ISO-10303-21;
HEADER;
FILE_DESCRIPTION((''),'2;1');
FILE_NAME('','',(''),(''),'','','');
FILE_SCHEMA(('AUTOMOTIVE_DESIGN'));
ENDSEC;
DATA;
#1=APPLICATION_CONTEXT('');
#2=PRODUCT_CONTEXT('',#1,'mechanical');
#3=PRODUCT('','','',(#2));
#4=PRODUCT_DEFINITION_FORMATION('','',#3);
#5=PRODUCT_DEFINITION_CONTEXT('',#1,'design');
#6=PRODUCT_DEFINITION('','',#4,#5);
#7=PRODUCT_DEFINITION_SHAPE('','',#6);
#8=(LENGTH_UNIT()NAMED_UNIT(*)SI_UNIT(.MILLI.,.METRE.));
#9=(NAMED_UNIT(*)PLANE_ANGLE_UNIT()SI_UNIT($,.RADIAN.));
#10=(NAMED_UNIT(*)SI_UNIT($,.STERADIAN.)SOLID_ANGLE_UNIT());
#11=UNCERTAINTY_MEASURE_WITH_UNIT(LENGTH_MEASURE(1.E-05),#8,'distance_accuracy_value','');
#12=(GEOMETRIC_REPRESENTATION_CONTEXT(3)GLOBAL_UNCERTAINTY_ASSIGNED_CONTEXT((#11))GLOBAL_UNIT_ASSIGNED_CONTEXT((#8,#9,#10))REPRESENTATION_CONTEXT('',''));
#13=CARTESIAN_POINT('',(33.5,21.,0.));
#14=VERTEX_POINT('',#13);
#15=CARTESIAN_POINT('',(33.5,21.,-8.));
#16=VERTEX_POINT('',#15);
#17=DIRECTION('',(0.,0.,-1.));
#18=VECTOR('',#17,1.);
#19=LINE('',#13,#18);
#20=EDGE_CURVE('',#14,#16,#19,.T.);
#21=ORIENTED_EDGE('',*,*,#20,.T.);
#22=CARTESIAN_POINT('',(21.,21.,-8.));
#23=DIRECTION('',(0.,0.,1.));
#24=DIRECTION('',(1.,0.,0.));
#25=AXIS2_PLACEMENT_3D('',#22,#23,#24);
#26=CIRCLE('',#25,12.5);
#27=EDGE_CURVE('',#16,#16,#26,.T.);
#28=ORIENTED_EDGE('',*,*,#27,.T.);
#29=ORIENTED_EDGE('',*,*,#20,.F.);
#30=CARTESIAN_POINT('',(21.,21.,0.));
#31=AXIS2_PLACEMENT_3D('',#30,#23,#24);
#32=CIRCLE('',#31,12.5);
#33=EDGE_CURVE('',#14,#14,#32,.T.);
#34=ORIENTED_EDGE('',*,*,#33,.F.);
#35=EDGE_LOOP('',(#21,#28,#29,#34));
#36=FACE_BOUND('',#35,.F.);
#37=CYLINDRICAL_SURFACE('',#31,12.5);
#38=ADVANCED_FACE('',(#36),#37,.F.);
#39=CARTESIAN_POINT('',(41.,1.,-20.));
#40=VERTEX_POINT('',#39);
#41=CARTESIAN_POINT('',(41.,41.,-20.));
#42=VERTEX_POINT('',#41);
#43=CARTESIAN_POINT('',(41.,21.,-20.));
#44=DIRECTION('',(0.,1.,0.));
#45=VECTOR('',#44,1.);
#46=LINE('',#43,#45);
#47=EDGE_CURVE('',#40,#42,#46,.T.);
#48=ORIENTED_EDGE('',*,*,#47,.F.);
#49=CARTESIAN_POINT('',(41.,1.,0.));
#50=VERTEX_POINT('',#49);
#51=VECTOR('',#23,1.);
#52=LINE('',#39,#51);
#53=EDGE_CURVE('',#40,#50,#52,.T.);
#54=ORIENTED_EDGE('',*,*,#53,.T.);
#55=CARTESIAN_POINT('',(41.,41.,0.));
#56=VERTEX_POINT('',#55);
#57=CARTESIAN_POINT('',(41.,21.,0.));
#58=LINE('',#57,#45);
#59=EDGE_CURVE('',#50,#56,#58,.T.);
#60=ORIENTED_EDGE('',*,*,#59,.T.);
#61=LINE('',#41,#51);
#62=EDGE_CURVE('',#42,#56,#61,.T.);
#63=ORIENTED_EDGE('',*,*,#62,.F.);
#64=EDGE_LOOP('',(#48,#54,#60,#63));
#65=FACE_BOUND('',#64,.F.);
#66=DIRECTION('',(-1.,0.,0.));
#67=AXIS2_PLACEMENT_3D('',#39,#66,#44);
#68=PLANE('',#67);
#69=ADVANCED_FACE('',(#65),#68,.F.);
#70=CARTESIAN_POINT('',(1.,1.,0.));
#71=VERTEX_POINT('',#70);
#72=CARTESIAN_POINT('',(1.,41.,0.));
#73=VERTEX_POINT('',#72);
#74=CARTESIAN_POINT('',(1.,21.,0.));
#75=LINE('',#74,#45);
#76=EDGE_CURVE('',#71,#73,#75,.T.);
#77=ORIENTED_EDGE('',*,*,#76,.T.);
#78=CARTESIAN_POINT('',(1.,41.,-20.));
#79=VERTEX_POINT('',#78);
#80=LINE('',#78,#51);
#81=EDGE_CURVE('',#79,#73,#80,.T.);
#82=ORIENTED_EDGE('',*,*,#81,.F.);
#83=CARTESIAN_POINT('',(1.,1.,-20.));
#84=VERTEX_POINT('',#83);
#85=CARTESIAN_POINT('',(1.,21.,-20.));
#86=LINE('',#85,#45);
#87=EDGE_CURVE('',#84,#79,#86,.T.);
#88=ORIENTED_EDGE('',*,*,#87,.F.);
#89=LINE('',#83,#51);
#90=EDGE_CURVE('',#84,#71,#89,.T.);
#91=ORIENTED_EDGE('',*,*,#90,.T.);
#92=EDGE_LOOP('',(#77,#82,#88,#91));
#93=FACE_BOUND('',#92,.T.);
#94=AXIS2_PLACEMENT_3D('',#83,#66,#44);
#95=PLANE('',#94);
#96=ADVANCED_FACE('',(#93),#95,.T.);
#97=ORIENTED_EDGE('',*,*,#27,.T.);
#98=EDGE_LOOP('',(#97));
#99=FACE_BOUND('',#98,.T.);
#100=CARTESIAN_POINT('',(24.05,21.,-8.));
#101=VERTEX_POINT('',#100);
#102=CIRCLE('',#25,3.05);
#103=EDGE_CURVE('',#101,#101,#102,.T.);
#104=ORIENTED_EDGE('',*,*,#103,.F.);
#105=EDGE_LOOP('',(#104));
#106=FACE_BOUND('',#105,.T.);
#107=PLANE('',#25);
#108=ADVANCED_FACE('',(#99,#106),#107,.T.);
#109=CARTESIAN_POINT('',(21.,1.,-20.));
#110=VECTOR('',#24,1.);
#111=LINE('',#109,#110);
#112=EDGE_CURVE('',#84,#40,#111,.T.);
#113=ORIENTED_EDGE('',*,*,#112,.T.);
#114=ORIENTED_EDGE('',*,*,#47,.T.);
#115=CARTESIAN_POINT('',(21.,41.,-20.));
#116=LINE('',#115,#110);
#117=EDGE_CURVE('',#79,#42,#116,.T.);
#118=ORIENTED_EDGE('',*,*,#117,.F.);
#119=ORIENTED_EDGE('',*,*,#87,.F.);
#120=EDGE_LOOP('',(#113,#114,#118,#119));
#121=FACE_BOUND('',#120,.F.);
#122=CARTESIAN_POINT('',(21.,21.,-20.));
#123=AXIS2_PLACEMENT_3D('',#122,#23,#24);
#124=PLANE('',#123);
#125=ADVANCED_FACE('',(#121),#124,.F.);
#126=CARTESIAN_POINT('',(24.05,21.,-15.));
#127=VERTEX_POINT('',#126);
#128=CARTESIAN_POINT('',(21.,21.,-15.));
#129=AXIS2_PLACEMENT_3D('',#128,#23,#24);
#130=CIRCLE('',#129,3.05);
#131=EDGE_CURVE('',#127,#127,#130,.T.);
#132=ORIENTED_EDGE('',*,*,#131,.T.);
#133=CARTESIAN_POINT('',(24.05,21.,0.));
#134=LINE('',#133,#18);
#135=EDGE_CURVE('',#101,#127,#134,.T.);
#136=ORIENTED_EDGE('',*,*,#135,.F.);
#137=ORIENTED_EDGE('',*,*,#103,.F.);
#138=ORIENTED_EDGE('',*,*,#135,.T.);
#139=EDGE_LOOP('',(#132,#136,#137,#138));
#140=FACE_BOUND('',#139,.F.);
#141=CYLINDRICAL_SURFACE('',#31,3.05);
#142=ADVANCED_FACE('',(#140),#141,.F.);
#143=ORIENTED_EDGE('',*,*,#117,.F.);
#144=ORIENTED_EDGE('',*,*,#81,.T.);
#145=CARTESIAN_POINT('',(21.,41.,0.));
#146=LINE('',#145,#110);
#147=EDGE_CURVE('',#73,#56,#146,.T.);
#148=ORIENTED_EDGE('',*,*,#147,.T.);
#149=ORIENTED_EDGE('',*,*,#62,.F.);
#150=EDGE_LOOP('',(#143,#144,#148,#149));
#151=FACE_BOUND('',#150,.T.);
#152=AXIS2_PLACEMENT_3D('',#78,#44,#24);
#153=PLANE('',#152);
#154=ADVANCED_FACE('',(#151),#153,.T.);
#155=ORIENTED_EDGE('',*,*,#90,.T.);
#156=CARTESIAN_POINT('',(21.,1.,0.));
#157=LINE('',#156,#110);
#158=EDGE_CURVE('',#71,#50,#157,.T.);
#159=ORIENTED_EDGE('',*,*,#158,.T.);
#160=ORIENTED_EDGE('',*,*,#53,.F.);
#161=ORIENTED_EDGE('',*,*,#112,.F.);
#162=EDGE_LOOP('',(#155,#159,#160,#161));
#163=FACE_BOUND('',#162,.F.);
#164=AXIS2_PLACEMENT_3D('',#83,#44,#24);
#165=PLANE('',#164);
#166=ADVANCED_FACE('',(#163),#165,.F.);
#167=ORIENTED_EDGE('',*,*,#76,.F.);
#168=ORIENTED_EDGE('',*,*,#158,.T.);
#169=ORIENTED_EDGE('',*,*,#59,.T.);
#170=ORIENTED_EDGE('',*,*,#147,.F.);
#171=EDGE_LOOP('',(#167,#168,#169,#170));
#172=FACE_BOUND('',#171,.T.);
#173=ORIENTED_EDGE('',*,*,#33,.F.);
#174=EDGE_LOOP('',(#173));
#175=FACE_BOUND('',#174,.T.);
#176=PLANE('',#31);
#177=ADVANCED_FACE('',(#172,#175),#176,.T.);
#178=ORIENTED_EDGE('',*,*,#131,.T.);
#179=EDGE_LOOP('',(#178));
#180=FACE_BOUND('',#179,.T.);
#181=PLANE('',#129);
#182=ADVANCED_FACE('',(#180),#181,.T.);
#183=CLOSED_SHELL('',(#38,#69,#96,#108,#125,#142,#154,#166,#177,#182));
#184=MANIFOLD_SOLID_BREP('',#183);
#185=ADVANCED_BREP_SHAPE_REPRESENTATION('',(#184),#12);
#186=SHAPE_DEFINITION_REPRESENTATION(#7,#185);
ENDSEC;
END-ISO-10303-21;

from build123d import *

# Parameters (mm, degrees)
SKETCH_W        = 40
SKETCH_H        = 40
PAD_DEPTH       = 20
SKETCH001_R     = 3.05
POCKET_DEPTH    = 15
SKETCH002_R     = 12.5
POCKET001_DEPTH = 8


with BuildPart() as part:
    # Sketch → Pad (new body)
    with BuildSketch(Plane.XY):
        with Locations((20, 20)):
            Rectangle(SKETCH_W, SKETCH_H)
    extrude(amount=PAD_DEPTH)

    # Sketch001 (on Face6 of Pad) → Pocket (cut)
    with BuildSketch(Plane.XY.offset(20)):
        with Locations((20, 20)):
            Circle(SKETCH001_R)
    extrude(amount=-POCKET_DEPTH, mode=Mode.SUBTRACT)

    # Sketch002 (on Face5 of Pocket) → Pocket001 (cut)
    with BuildSketch(Plane.XY.offset(20)):
        with Locations((20, 20)):
            Circle(SKETCH002_R)
    extrude(amount=-POCKET001_DEPTH, mode=Mode.SUBTRACT)


with BuildPart() as part_1:
    # Clone placement: moved
    add(part.part.moved(Location((1, 1, -20))))


solid = part_1.part
